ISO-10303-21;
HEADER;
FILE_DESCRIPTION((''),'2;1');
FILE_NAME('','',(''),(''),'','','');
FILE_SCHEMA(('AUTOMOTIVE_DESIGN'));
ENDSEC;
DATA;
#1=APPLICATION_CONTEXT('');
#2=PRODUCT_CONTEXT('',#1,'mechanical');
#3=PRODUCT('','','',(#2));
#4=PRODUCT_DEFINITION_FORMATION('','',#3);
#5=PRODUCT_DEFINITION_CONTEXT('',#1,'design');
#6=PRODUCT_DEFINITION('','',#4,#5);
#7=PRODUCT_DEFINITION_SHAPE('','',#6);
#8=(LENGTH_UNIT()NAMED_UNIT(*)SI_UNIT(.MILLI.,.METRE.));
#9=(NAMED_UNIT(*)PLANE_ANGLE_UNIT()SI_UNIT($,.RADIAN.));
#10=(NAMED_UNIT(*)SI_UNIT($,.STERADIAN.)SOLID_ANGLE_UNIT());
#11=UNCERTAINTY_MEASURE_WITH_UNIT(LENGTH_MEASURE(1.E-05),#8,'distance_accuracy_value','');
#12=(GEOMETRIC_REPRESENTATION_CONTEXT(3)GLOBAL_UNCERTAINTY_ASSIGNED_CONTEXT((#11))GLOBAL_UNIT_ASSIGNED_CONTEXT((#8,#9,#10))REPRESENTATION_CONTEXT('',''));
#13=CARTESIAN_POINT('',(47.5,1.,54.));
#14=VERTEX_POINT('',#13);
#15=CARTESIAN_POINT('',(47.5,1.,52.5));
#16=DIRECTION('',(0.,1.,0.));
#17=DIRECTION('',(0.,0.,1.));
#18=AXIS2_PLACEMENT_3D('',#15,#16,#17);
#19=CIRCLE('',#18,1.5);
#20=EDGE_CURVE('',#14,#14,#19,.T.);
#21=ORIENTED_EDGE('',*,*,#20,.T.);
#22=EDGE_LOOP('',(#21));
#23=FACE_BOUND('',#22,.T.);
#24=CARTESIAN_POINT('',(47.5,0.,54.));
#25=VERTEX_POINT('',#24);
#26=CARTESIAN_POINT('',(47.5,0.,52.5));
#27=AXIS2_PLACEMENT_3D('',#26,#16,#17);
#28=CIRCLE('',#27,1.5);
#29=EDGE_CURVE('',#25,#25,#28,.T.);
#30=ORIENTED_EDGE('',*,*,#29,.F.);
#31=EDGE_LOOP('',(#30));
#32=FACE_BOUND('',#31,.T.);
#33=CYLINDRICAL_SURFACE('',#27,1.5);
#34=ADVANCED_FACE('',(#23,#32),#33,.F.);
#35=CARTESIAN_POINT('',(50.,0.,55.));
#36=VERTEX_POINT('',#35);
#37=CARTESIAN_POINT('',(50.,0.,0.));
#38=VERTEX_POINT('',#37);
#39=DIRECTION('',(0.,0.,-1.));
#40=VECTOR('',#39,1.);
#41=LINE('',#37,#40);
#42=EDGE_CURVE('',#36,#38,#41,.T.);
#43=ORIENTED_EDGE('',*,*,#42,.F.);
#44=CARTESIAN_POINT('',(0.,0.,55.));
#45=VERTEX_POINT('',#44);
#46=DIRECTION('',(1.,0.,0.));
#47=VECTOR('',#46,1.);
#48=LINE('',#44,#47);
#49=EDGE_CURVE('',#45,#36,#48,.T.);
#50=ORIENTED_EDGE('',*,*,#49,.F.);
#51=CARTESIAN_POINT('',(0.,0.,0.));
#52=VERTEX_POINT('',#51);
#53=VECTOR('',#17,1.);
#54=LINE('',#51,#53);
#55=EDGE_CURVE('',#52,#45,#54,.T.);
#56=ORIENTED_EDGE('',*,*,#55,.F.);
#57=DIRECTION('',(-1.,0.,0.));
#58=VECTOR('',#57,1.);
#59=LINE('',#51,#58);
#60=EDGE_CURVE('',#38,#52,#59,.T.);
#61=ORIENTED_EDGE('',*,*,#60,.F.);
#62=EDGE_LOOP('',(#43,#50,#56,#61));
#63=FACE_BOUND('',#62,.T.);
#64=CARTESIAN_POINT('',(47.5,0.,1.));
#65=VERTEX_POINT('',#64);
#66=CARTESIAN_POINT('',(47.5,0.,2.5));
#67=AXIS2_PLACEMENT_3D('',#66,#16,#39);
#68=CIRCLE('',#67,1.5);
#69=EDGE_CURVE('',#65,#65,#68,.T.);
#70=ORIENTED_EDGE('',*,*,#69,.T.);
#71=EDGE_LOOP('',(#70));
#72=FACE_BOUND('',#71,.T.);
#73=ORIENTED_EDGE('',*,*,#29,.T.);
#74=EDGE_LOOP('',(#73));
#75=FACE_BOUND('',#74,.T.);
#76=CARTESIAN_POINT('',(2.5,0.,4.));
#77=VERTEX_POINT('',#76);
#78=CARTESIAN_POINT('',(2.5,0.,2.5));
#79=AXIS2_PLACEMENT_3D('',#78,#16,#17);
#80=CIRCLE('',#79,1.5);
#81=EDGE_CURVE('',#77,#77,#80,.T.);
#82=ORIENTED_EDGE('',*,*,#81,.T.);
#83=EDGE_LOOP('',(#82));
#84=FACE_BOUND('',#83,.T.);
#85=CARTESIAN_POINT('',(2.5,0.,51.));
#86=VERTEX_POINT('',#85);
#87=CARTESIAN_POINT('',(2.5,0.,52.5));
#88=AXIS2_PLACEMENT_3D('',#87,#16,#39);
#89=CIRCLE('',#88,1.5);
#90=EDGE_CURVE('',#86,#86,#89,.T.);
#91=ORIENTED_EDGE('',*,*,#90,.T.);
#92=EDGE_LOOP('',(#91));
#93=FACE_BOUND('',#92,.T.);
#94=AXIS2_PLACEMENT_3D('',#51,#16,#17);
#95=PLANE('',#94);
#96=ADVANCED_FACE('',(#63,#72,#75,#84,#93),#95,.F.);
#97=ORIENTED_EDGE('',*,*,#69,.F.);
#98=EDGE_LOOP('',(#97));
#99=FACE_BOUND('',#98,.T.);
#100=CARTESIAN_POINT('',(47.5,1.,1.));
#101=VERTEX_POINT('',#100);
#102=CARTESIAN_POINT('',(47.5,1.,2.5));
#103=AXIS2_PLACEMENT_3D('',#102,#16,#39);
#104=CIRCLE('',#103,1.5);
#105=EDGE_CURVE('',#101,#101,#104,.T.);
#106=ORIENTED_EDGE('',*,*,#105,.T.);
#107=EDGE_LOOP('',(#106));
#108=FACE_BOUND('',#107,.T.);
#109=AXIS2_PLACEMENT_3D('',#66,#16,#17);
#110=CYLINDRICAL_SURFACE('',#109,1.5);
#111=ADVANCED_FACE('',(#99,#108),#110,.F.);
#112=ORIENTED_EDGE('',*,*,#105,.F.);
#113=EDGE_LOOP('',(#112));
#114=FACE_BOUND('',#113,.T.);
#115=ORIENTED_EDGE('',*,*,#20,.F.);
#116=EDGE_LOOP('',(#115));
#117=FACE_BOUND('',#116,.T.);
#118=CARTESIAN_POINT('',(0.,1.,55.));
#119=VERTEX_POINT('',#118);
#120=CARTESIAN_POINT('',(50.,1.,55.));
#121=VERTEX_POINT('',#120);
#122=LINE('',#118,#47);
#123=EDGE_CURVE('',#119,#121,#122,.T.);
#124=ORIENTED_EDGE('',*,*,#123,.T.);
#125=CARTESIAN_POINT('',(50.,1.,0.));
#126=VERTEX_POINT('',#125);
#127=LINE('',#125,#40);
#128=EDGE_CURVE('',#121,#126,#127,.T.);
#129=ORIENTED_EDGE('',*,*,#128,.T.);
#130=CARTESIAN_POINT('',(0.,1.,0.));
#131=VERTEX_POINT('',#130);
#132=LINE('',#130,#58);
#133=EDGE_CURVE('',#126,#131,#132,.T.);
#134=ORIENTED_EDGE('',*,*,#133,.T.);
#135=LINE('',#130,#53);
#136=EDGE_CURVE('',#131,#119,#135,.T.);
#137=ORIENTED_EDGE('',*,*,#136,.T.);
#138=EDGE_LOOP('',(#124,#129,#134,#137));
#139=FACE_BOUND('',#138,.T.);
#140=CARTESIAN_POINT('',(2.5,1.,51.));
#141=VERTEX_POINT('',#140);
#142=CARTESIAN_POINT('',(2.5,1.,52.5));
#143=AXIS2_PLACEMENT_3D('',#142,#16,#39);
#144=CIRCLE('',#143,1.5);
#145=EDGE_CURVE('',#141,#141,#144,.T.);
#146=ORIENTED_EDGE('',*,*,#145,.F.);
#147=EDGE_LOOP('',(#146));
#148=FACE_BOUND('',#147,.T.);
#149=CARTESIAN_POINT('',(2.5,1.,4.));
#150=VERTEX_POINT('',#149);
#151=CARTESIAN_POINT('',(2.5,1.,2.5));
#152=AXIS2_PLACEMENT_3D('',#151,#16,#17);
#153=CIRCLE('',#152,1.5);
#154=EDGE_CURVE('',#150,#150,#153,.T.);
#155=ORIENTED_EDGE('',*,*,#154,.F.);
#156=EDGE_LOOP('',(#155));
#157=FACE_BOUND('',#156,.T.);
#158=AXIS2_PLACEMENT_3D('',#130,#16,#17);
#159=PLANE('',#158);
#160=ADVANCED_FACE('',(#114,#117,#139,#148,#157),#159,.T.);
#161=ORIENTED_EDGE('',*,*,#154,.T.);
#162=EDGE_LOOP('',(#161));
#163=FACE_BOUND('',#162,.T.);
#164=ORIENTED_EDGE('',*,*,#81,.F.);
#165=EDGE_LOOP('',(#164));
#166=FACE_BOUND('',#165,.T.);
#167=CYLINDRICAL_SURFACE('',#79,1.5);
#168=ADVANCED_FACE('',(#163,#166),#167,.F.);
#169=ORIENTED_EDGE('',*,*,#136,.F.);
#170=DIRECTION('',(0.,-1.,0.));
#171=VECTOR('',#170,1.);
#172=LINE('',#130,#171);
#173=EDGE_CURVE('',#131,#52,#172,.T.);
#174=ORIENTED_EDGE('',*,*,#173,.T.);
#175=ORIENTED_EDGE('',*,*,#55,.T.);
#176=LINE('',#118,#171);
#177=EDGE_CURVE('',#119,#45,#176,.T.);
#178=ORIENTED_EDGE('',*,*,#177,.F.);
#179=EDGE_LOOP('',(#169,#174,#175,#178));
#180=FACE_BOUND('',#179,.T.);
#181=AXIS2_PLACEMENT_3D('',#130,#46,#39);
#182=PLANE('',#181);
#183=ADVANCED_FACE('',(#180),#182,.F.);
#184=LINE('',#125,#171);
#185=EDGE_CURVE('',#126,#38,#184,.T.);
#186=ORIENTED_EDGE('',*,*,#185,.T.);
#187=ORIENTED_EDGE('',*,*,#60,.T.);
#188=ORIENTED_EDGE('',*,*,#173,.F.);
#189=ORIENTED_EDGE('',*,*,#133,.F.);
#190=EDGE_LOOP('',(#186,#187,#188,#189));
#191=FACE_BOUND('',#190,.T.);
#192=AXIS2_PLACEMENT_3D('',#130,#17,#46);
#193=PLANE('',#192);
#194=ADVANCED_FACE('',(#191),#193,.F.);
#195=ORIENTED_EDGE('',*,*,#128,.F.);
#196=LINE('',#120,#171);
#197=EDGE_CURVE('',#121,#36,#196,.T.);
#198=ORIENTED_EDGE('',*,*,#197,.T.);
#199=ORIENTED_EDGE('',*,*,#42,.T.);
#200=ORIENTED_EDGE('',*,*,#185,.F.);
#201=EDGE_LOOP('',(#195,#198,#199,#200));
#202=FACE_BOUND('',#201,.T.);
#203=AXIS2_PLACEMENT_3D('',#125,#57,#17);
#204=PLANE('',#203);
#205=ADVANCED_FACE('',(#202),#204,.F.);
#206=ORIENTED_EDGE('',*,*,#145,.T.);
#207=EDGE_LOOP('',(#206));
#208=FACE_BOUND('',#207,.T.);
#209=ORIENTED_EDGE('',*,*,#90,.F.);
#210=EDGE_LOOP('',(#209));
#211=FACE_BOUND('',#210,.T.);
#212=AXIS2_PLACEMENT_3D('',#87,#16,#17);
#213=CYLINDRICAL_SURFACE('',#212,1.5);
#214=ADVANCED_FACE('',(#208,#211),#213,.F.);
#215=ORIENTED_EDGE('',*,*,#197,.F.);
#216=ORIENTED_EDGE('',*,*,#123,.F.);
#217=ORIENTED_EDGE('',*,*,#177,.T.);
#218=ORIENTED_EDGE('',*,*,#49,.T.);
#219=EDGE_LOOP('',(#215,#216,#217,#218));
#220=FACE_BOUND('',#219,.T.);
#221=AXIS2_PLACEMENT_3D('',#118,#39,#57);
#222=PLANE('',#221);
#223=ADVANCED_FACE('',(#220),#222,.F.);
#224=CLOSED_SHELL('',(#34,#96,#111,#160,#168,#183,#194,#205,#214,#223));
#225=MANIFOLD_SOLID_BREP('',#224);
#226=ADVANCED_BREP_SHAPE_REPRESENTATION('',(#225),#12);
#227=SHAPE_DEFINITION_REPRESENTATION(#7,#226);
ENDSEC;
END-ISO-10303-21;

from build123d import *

# Parameters (mm, degrees)
SKETCH1_W           = 50
SKETCH1_H           = 55
BOSS_EXTRUDE1_DEPTH = 1
SKETCH2_R           = 1.5
CUT_EXTRUDE1_DEPTH  = 2


with BuildPart() as part:
    # Sketch1 → Boss-Extrude1 (new body)
    with BuildSketch(Plane(origin=(0, 0, 0), x_dir=(1, 0, 0), z_dir=(0, 1, 0))):
        with Locations((25, -27.5)):
            Rectangle(SKETCH1_W, SKETCH1_H)
    extrude(amount=BOSS_EXTRUDE1_DEPTH)

    # Sketch2 → Cut-Extrude1 (cut, through all)
    with BuildSketch(Plane(origin=(0, 1, 0), x_dir=(1, 0, 0), z_dir=(0, 1, 0))):
        with Locations((2.5, -2.5)):
            Circle(SKETCH2_R)
        with Locations((47.5, -2.5)):
            Circle(SKETCH2_R)
        with Locations((47.5, -52.5)):
            Circle(SKETCH2_R)
        with Locations((2.5, -52.5)):
            Circle(SKETCH2_R)
    extrude(amount=-CUT_EXTRUDE1_DEPTH, mode=Mode.SUBTRACT)


solid = part.part
